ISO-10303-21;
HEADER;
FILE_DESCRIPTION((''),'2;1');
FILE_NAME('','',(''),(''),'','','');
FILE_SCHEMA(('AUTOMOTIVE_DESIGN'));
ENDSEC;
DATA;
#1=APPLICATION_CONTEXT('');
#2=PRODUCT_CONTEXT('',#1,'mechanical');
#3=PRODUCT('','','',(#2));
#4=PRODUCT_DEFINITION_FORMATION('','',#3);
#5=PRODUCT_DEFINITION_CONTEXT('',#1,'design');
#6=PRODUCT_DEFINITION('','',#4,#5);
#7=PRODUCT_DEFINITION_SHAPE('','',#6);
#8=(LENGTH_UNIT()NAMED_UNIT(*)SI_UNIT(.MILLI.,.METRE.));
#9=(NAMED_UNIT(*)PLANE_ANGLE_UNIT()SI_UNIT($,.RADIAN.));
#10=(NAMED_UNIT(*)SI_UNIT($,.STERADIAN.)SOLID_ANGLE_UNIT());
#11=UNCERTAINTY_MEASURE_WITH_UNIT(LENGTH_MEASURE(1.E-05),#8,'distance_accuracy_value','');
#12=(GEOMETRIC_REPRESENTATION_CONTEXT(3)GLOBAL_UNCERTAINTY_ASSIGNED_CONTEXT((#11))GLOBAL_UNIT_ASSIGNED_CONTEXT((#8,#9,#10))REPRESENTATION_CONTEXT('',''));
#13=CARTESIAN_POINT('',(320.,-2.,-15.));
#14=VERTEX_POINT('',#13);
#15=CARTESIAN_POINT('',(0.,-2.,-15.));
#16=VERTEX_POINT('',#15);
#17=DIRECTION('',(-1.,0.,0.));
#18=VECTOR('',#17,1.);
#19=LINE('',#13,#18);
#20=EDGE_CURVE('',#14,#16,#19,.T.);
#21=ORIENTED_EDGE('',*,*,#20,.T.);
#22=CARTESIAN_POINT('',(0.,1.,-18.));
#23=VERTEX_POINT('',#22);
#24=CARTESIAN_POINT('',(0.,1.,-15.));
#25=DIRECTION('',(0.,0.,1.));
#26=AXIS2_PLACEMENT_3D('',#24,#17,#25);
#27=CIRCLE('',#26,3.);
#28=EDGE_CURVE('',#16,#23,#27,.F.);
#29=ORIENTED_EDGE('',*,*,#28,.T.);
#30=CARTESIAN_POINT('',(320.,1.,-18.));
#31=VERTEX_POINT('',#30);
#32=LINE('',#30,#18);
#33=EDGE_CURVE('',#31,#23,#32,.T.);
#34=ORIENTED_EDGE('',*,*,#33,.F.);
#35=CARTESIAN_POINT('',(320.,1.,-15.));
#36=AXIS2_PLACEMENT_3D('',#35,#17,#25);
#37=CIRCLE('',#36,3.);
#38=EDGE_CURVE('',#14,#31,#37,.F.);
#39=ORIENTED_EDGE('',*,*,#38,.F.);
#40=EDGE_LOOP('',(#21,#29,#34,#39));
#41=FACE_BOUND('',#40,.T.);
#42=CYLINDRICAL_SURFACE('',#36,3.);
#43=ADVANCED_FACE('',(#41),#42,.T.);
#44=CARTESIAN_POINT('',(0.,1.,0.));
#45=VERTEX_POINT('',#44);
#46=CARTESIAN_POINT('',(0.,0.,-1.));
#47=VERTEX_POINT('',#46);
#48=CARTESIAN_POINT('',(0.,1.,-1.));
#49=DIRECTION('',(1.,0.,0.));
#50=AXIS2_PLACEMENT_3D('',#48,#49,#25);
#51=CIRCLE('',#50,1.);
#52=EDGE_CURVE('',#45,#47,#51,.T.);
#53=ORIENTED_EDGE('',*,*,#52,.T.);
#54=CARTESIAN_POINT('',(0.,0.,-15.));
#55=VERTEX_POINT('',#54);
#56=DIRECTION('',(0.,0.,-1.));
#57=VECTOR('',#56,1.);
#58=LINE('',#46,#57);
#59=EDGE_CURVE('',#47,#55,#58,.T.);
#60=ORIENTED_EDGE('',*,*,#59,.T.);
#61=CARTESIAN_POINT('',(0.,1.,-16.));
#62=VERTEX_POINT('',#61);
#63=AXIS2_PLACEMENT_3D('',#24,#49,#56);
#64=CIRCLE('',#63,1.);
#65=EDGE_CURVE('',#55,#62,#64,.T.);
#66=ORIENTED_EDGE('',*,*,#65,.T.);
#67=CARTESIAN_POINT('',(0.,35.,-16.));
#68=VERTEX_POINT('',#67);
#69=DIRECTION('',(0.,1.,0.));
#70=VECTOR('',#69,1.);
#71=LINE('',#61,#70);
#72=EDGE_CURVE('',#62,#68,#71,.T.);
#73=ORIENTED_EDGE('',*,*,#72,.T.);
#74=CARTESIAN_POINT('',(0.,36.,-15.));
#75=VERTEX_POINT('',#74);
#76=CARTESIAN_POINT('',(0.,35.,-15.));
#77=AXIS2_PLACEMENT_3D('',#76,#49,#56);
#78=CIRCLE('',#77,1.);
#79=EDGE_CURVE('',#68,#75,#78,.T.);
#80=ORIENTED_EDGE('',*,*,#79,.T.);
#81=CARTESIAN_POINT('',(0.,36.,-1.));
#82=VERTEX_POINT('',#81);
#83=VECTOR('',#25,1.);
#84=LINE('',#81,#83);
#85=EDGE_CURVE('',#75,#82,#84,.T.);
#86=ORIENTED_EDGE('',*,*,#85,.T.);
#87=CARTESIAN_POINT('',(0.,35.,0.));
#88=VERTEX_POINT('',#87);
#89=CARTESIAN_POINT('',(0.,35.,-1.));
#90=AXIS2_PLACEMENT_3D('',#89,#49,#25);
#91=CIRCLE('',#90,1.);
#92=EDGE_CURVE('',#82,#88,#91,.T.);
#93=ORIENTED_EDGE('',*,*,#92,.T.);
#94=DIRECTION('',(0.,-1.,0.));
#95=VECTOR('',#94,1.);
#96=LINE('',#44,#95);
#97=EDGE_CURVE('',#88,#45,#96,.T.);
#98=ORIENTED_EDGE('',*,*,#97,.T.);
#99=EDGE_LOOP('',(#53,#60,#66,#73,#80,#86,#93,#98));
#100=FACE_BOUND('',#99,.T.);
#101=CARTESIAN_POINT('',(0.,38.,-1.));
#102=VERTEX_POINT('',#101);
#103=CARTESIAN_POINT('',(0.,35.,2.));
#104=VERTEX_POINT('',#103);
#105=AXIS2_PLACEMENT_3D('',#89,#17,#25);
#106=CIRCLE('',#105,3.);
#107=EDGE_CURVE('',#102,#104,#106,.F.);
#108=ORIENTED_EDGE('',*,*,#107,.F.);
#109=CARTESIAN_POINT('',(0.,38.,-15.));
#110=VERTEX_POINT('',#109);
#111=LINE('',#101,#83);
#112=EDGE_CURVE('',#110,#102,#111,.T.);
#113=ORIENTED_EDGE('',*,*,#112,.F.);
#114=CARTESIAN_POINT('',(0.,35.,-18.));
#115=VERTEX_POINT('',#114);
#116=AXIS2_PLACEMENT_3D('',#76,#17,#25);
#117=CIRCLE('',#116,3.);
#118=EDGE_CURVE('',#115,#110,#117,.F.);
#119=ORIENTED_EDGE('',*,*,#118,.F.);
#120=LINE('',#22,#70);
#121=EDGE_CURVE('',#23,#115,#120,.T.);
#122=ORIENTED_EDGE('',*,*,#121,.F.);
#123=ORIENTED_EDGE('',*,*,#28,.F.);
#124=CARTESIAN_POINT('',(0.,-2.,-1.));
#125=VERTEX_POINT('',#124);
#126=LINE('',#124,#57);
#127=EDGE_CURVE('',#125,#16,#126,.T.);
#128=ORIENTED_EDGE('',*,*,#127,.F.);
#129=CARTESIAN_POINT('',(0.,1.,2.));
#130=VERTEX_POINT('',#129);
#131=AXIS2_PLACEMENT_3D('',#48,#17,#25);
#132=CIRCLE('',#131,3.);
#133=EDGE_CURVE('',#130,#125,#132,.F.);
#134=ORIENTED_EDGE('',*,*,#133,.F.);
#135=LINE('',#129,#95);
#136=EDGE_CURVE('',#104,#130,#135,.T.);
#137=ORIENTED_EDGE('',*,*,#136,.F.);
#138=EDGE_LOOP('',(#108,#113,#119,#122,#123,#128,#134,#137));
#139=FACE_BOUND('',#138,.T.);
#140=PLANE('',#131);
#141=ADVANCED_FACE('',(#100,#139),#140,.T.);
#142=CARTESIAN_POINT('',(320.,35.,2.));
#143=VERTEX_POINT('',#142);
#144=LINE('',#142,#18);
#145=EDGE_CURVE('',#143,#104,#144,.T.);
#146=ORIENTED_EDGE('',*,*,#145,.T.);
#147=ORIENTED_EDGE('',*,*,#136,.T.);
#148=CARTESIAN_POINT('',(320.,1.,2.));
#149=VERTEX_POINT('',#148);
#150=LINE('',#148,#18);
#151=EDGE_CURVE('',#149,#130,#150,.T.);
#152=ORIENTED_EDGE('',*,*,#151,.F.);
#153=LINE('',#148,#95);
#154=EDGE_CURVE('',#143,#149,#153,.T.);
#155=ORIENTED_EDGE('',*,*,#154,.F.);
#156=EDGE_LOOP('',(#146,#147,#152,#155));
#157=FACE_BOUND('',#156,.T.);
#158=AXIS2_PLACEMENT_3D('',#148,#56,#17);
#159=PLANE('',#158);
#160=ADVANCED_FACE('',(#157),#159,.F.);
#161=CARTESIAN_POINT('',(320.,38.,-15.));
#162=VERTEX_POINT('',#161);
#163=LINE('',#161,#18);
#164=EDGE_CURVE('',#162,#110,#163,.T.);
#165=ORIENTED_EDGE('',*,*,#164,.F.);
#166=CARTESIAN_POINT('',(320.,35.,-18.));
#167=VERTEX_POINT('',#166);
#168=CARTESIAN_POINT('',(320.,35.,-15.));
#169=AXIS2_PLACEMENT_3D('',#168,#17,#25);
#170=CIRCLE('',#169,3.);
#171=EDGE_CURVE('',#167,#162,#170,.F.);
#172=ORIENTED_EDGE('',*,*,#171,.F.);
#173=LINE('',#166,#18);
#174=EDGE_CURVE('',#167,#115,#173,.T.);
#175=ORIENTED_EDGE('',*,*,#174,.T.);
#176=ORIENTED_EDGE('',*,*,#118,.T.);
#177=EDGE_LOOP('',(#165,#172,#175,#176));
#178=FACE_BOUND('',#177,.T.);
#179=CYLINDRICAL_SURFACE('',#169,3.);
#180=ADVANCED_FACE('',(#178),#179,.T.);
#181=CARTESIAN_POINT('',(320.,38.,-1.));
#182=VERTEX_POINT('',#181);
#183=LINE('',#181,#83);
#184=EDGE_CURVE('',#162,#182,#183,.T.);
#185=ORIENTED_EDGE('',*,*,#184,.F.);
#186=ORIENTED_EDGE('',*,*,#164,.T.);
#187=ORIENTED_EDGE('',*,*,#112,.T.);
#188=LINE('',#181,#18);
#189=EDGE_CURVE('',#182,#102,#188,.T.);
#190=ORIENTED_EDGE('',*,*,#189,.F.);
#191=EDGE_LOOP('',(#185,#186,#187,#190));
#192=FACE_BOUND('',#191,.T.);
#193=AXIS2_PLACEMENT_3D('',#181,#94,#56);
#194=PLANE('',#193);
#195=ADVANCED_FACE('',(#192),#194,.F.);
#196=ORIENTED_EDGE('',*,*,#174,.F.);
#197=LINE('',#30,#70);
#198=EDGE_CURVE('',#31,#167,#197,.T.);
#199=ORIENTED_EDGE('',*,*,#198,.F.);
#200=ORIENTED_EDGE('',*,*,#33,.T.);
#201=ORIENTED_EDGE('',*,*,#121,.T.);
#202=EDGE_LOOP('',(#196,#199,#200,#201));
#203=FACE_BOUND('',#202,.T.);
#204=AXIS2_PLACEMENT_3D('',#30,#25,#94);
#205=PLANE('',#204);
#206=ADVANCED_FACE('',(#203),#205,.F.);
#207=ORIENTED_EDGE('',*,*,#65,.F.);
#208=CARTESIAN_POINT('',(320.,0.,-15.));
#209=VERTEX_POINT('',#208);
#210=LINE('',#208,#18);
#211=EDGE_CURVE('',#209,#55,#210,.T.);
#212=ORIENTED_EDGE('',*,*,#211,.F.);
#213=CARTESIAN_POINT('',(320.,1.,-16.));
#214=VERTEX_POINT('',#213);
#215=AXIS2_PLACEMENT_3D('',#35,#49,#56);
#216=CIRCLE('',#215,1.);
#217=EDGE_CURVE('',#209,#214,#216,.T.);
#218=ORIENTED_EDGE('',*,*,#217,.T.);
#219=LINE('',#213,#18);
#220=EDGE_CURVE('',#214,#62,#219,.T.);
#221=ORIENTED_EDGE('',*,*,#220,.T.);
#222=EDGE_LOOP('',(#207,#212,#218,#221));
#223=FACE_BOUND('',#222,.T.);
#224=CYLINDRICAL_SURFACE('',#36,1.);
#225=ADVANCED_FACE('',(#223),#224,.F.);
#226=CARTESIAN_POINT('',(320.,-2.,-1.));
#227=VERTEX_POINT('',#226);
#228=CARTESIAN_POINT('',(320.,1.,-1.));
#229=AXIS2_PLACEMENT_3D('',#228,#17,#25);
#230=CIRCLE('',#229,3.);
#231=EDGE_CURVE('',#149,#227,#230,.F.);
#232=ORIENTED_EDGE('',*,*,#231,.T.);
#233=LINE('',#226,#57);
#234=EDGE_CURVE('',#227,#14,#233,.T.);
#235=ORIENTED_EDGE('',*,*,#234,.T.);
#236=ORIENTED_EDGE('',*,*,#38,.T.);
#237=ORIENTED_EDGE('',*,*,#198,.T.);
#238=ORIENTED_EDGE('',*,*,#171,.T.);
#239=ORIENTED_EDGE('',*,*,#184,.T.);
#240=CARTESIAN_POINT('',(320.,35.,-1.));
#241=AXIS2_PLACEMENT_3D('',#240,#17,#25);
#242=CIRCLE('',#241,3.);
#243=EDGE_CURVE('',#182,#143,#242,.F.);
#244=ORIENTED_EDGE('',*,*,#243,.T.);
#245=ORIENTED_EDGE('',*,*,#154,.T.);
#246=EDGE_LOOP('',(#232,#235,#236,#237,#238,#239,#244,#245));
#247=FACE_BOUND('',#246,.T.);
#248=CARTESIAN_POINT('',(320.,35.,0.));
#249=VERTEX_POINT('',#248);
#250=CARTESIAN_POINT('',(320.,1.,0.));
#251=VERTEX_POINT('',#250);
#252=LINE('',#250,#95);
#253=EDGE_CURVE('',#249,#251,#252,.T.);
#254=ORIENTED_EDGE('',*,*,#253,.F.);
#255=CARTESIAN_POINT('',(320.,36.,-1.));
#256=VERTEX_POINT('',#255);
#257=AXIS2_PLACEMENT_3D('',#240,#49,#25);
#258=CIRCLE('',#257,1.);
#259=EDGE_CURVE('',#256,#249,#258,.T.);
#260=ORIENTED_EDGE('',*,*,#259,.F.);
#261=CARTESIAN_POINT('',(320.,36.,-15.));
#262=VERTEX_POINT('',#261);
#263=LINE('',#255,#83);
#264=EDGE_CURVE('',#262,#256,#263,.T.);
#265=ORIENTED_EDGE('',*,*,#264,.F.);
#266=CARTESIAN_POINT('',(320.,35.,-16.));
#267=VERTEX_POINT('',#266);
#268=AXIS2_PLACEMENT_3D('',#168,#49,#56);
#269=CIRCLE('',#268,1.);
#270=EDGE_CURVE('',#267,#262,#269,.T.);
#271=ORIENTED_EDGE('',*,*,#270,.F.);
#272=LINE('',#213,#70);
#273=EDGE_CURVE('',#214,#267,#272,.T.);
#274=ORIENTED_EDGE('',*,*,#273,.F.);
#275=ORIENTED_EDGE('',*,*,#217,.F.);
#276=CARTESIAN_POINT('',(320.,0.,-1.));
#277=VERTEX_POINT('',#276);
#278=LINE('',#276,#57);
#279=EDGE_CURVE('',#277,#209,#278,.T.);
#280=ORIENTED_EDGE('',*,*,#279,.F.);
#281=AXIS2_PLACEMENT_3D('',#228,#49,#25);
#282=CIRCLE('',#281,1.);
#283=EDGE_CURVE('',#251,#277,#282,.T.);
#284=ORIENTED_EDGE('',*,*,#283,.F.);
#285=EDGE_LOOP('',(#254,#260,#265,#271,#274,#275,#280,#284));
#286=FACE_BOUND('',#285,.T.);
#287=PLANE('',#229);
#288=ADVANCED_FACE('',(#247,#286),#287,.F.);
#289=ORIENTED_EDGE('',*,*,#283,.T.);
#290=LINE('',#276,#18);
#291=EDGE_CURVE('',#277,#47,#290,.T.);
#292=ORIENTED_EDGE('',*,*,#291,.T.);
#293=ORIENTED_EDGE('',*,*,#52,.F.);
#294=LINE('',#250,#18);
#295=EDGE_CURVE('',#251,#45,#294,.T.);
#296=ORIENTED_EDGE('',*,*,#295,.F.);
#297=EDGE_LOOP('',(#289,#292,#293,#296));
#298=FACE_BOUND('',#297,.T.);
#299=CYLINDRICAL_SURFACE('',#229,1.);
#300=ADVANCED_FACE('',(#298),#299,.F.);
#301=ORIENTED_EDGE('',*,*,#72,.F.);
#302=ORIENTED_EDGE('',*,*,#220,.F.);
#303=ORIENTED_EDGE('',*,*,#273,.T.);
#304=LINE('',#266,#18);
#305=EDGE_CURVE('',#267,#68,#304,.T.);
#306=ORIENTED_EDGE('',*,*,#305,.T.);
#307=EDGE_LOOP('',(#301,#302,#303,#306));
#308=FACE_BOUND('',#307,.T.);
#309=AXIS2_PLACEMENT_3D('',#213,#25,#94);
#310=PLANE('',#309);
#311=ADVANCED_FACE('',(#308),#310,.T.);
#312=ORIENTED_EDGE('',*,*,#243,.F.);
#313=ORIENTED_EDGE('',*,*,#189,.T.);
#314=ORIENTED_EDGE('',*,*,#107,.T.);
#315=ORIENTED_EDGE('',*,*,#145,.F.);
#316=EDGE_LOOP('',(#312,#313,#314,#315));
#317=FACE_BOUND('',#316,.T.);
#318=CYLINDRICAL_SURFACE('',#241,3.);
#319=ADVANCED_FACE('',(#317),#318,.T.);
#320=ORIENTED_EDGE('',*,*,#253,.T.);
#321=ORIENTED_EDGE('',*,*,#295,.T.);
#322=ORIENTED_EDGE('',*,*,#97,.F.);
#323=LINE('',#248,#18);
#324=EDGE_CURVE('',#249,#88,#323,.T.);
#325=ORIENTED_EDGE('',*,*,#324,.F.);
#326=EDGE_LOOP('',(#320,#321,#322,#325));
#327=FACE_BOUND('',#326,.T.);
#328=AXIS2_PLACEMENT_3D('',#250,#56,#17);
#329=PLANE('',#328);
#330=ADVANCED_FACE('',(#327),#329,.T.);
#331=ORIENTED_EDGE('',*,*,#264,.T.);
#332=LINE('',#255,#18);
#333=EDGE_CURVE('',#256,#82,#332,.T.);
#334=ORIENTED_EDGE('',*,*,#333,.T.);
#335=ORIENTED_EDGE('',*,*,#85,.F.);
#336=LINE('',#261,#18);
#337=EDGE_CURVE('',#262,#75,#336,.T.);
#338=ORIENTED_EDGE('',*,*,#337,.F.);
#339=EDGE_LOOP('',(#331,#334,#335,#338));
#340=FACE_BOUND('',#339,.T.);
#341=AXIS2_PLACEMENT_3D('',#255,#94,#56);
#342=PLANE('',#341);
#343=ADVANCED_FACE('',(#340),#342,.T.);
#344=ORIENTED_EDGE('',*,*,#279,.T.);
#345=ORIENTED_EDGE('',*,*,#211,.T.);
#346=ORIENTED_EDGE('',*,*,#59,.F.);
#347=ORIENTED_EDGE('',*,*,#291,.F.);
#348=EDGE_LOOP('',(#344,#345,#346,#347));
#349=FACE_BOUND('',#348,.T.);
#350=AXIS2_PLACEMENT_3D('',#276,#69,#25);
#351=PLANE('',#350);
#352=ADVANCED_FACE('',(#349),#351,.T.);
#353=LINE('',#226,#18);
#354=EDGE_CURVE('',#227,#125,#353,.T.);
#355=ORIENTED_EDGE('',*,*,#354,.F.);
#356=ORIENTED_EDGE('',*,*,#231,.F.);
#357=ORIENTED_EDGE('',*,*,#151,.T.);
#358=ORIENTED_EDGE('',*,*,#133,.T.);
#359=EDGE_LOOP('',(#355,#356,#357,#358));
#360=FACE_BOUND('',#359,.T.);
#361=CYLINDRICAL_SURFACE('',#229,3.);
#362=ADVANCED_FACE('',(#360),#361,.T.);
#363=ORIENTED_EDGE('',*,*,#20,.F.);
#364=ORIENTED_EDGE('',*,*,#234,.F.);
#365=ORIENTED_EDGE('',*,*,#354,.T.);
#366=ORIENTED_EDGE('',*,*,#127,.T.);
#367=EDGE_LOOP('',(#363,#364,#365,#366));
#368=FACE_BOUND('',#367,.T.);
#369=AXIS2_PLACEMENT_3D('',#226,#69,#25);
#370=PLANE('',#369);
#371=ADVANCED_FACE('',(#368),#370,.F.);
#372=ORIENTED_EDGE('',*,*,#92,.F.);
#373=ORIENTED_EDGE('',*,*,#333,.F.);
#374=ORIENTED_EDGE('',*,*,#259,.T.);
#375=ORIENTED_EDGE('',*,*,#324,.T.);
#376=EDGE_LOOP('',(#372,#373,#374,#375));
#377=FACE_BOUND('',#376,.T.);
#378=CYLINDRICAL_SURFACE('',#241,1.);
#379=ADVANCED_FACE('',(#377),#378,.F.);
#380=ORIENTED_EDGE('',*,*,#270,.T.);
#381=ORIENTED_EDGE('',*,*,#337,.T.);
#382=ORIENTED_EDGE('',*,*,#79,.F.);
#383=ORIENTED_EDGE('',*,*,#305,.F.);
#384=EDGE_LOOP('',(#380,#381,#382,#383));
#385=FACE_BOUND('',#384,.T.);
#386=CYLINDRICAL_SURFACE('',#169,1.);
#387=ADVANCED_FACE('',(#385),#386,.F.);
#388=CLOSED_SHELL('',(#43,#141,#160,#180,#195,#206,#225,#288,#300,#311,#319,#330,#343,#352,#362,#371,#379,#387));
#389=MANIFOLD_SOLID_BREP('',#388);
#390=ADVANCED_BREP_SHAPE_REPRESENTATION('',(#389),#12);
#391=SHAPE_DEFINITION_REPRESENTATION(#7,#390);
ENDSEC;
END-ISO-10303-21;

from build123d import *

# Parameters (mm, degrees)
EXTRUDE_1_DEPTH = 320


with BuildPart() as part:
    # Эскиз1 → Вытянуть-Тонкостенный1 (new body)
    with BuildSketch(Plane(origin=(0, 0, 0), x_dir=(0, 0, -1), z_dir=(1, 0, 0))):
        with BuildLine():
            Line((-2, 35), (-2, 1))
            ThreePointArc((-2, 1), (-1.121320344, -1.121320344), (1, -2))
            Line((1, -2), (15, -2))
            ThreePointArc((15, -2), (17.121320344, -1.121320344), (18, 1))
            Line((18, 1), (18, 35))
            ThreePointArc((18, 35), (17.121320344, 37.121320344), (15, 38))
            Line((15, 38), (1, 38))
            ThreePointArc((1, 38), (-1.121320344, 37.121320344), (-2, 35))
        make_face()
        with BuildLine():
            Line((0, 35), (0, 1))
            ThreePointArc((0, 1), (0.292893219, 0.292893219), (1, 0))
            Line((1, 0), (15, 0))
            ThreePointArc((15, 0), (15.707106781, 0.292893219), (16, 1))
            Line((16, 1), (16, 35))
            ThreePointArc((16, 35), (15.707106781, 35.707106781), (15, 36))
            Line((15, 36), (1, 36))
            ThreePointArc((1, 36), (0.292893219, 35.707106781), (0, 35))
        make_face(mode=Mode.SUBTRACT)
    extrude(amount=EXTRUDE_1_DEPTH)


solid = part.part
